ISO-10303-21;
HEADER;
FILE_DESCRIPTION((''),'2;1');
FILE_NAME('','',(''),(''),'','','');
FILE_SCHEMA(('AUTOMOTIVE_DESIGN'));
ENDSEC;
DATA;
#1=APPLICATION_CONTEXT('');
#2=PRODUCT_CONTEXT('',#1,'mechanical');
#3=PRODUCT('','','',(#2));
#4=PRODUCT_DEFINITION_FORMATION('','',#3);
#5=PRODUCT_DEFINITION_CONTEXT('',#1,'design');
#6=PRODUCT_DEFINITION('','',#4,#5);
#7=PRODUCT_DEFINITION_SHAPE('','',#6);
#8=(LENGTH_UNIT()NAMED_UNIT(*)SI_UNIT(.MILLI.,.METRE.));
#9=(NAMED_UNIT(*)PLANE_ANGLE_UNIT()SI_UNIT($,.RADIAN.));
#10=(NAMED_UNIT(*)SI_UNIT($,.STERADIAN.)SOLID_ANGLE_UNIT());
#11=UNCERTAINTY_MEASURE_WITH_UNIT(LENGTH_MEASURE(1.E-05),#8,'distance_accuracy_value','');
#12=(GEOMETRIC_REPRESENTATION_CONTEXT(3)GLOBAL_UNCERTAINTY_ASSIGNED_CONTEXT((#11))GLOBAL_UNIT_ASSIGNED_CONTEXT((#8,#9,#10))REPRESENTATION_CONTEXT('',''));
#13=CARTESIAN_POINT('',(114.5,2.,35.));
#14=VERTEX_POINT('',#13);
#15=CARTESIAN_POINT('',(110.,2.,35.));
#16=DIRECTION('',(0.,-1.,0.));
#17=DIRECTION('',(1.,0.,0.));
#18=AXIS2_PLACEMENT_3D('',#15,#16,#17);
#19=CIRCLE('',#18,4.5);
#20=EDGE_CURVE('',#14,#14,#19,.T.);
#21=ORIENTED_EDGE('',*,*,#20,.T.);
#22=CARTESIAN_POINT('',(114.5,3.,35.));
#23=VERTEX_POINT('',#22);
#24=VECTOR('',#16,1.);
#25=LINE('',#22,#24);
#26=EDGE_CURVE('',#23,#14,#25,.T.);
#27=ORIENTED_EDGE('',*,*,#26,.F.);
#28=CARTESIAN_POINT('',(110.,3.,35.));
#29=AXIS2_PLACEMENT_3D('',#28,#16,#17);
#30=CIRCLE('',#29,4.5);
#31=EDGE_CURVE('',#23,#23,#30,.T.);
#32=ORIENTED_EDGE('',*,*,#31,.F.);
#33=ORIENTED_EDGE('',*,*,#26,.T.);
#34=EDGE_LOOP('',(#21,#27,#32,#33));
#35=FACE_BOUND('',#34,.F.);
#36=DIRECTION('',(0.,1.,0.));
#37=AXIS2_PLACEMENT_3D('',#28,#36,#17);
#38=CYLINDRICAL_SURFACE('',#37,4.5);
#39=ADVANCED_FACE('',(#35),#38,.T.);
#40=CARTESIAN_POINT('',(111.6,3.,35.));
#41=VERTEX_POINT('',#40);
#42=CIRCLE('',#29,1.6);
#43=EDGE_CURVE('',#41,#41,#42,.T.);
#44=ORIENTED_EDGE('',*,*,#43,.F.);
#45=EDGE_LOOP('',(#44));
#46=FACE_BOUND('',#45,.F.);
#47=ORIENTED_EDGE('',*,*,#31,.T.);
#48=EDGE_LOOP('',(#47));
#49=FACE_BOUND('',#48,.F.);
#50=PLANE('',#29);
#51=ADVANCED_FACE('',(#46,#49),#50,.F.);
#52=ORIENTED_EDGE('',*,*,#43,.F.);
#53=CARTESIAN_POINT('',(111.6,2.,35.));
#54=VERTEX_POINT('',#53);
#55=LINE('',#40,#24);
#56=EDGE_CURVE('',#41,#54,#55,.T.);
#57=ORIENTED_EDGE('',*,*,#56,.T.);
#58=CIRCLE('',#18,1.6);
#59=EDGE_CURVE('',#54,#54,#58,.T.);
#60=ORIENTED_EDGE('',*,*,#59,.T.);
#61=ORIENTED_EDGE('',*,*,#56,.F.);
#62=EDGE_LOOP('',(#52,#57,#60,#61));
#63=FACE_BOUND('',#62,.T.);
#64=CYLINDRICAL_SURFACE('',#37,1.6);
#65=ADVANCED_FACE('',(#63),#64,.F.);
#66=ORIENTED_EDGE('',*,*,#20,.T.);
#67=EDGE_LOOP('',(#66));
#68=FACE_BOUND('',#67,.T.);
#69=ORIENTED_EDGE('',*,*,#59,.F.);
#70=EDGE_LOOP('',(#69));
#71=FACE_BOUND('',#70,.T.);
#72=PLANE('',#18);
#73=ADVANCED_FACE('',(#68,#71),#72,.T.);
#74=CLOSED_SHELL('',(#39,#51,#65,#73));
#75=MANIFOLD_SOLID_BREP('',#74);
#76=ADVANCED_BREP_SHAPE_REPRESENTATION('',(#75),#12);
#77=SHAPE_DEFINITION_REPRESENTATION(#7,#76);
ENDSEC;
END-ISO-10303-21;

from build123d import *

# Parameters (mm, degrees)
CYLINDER018_R          = 1.6
CYLINDER018_DEPTH      = 1
CYLINDER017_R          = 4.5
CYLINDER017_DEPTH      = 1
CUT020_PLACEMENT_ANGLE = 90


with BuildPart() as facewasherscrewhole:
    # Cylinder018 → Cylinder018 (new body)
    with BuildSketch(Plane.XY):
        Circle(CYLINDER018_R)
    extrude(amount=CYLINDER018_DEPTH)


with BuildPart() as facewasher002:
    # Cylinder017 → Cylinder017 (new body)
    with BuildSketch(Plane.XY):
        Circle(CYLINDER017_R)
    extrude(amount=CYLINDER017_DEPTH)

    # Cut020: cut FaceWasherScrewHole
    add(facewasherscrewhole.part, mode=Mode.SUBTRACT)


with BuildPart() as facewasher002_1:
    # Cut020 placement: moved
    add(facewasher002.part.moved(Location((0, 0, -1))).rotate(Axis((0, 0, -1), (1, 0, 0)), CUT020_PLACEMENT_ANGLE))


with BuildPart() as facewasher002_2:
    # Clone022 placement: moved
    add(facewasher002_1.part.moved(Location((110, 3, 36))))


solid = facewasher002_2.part
